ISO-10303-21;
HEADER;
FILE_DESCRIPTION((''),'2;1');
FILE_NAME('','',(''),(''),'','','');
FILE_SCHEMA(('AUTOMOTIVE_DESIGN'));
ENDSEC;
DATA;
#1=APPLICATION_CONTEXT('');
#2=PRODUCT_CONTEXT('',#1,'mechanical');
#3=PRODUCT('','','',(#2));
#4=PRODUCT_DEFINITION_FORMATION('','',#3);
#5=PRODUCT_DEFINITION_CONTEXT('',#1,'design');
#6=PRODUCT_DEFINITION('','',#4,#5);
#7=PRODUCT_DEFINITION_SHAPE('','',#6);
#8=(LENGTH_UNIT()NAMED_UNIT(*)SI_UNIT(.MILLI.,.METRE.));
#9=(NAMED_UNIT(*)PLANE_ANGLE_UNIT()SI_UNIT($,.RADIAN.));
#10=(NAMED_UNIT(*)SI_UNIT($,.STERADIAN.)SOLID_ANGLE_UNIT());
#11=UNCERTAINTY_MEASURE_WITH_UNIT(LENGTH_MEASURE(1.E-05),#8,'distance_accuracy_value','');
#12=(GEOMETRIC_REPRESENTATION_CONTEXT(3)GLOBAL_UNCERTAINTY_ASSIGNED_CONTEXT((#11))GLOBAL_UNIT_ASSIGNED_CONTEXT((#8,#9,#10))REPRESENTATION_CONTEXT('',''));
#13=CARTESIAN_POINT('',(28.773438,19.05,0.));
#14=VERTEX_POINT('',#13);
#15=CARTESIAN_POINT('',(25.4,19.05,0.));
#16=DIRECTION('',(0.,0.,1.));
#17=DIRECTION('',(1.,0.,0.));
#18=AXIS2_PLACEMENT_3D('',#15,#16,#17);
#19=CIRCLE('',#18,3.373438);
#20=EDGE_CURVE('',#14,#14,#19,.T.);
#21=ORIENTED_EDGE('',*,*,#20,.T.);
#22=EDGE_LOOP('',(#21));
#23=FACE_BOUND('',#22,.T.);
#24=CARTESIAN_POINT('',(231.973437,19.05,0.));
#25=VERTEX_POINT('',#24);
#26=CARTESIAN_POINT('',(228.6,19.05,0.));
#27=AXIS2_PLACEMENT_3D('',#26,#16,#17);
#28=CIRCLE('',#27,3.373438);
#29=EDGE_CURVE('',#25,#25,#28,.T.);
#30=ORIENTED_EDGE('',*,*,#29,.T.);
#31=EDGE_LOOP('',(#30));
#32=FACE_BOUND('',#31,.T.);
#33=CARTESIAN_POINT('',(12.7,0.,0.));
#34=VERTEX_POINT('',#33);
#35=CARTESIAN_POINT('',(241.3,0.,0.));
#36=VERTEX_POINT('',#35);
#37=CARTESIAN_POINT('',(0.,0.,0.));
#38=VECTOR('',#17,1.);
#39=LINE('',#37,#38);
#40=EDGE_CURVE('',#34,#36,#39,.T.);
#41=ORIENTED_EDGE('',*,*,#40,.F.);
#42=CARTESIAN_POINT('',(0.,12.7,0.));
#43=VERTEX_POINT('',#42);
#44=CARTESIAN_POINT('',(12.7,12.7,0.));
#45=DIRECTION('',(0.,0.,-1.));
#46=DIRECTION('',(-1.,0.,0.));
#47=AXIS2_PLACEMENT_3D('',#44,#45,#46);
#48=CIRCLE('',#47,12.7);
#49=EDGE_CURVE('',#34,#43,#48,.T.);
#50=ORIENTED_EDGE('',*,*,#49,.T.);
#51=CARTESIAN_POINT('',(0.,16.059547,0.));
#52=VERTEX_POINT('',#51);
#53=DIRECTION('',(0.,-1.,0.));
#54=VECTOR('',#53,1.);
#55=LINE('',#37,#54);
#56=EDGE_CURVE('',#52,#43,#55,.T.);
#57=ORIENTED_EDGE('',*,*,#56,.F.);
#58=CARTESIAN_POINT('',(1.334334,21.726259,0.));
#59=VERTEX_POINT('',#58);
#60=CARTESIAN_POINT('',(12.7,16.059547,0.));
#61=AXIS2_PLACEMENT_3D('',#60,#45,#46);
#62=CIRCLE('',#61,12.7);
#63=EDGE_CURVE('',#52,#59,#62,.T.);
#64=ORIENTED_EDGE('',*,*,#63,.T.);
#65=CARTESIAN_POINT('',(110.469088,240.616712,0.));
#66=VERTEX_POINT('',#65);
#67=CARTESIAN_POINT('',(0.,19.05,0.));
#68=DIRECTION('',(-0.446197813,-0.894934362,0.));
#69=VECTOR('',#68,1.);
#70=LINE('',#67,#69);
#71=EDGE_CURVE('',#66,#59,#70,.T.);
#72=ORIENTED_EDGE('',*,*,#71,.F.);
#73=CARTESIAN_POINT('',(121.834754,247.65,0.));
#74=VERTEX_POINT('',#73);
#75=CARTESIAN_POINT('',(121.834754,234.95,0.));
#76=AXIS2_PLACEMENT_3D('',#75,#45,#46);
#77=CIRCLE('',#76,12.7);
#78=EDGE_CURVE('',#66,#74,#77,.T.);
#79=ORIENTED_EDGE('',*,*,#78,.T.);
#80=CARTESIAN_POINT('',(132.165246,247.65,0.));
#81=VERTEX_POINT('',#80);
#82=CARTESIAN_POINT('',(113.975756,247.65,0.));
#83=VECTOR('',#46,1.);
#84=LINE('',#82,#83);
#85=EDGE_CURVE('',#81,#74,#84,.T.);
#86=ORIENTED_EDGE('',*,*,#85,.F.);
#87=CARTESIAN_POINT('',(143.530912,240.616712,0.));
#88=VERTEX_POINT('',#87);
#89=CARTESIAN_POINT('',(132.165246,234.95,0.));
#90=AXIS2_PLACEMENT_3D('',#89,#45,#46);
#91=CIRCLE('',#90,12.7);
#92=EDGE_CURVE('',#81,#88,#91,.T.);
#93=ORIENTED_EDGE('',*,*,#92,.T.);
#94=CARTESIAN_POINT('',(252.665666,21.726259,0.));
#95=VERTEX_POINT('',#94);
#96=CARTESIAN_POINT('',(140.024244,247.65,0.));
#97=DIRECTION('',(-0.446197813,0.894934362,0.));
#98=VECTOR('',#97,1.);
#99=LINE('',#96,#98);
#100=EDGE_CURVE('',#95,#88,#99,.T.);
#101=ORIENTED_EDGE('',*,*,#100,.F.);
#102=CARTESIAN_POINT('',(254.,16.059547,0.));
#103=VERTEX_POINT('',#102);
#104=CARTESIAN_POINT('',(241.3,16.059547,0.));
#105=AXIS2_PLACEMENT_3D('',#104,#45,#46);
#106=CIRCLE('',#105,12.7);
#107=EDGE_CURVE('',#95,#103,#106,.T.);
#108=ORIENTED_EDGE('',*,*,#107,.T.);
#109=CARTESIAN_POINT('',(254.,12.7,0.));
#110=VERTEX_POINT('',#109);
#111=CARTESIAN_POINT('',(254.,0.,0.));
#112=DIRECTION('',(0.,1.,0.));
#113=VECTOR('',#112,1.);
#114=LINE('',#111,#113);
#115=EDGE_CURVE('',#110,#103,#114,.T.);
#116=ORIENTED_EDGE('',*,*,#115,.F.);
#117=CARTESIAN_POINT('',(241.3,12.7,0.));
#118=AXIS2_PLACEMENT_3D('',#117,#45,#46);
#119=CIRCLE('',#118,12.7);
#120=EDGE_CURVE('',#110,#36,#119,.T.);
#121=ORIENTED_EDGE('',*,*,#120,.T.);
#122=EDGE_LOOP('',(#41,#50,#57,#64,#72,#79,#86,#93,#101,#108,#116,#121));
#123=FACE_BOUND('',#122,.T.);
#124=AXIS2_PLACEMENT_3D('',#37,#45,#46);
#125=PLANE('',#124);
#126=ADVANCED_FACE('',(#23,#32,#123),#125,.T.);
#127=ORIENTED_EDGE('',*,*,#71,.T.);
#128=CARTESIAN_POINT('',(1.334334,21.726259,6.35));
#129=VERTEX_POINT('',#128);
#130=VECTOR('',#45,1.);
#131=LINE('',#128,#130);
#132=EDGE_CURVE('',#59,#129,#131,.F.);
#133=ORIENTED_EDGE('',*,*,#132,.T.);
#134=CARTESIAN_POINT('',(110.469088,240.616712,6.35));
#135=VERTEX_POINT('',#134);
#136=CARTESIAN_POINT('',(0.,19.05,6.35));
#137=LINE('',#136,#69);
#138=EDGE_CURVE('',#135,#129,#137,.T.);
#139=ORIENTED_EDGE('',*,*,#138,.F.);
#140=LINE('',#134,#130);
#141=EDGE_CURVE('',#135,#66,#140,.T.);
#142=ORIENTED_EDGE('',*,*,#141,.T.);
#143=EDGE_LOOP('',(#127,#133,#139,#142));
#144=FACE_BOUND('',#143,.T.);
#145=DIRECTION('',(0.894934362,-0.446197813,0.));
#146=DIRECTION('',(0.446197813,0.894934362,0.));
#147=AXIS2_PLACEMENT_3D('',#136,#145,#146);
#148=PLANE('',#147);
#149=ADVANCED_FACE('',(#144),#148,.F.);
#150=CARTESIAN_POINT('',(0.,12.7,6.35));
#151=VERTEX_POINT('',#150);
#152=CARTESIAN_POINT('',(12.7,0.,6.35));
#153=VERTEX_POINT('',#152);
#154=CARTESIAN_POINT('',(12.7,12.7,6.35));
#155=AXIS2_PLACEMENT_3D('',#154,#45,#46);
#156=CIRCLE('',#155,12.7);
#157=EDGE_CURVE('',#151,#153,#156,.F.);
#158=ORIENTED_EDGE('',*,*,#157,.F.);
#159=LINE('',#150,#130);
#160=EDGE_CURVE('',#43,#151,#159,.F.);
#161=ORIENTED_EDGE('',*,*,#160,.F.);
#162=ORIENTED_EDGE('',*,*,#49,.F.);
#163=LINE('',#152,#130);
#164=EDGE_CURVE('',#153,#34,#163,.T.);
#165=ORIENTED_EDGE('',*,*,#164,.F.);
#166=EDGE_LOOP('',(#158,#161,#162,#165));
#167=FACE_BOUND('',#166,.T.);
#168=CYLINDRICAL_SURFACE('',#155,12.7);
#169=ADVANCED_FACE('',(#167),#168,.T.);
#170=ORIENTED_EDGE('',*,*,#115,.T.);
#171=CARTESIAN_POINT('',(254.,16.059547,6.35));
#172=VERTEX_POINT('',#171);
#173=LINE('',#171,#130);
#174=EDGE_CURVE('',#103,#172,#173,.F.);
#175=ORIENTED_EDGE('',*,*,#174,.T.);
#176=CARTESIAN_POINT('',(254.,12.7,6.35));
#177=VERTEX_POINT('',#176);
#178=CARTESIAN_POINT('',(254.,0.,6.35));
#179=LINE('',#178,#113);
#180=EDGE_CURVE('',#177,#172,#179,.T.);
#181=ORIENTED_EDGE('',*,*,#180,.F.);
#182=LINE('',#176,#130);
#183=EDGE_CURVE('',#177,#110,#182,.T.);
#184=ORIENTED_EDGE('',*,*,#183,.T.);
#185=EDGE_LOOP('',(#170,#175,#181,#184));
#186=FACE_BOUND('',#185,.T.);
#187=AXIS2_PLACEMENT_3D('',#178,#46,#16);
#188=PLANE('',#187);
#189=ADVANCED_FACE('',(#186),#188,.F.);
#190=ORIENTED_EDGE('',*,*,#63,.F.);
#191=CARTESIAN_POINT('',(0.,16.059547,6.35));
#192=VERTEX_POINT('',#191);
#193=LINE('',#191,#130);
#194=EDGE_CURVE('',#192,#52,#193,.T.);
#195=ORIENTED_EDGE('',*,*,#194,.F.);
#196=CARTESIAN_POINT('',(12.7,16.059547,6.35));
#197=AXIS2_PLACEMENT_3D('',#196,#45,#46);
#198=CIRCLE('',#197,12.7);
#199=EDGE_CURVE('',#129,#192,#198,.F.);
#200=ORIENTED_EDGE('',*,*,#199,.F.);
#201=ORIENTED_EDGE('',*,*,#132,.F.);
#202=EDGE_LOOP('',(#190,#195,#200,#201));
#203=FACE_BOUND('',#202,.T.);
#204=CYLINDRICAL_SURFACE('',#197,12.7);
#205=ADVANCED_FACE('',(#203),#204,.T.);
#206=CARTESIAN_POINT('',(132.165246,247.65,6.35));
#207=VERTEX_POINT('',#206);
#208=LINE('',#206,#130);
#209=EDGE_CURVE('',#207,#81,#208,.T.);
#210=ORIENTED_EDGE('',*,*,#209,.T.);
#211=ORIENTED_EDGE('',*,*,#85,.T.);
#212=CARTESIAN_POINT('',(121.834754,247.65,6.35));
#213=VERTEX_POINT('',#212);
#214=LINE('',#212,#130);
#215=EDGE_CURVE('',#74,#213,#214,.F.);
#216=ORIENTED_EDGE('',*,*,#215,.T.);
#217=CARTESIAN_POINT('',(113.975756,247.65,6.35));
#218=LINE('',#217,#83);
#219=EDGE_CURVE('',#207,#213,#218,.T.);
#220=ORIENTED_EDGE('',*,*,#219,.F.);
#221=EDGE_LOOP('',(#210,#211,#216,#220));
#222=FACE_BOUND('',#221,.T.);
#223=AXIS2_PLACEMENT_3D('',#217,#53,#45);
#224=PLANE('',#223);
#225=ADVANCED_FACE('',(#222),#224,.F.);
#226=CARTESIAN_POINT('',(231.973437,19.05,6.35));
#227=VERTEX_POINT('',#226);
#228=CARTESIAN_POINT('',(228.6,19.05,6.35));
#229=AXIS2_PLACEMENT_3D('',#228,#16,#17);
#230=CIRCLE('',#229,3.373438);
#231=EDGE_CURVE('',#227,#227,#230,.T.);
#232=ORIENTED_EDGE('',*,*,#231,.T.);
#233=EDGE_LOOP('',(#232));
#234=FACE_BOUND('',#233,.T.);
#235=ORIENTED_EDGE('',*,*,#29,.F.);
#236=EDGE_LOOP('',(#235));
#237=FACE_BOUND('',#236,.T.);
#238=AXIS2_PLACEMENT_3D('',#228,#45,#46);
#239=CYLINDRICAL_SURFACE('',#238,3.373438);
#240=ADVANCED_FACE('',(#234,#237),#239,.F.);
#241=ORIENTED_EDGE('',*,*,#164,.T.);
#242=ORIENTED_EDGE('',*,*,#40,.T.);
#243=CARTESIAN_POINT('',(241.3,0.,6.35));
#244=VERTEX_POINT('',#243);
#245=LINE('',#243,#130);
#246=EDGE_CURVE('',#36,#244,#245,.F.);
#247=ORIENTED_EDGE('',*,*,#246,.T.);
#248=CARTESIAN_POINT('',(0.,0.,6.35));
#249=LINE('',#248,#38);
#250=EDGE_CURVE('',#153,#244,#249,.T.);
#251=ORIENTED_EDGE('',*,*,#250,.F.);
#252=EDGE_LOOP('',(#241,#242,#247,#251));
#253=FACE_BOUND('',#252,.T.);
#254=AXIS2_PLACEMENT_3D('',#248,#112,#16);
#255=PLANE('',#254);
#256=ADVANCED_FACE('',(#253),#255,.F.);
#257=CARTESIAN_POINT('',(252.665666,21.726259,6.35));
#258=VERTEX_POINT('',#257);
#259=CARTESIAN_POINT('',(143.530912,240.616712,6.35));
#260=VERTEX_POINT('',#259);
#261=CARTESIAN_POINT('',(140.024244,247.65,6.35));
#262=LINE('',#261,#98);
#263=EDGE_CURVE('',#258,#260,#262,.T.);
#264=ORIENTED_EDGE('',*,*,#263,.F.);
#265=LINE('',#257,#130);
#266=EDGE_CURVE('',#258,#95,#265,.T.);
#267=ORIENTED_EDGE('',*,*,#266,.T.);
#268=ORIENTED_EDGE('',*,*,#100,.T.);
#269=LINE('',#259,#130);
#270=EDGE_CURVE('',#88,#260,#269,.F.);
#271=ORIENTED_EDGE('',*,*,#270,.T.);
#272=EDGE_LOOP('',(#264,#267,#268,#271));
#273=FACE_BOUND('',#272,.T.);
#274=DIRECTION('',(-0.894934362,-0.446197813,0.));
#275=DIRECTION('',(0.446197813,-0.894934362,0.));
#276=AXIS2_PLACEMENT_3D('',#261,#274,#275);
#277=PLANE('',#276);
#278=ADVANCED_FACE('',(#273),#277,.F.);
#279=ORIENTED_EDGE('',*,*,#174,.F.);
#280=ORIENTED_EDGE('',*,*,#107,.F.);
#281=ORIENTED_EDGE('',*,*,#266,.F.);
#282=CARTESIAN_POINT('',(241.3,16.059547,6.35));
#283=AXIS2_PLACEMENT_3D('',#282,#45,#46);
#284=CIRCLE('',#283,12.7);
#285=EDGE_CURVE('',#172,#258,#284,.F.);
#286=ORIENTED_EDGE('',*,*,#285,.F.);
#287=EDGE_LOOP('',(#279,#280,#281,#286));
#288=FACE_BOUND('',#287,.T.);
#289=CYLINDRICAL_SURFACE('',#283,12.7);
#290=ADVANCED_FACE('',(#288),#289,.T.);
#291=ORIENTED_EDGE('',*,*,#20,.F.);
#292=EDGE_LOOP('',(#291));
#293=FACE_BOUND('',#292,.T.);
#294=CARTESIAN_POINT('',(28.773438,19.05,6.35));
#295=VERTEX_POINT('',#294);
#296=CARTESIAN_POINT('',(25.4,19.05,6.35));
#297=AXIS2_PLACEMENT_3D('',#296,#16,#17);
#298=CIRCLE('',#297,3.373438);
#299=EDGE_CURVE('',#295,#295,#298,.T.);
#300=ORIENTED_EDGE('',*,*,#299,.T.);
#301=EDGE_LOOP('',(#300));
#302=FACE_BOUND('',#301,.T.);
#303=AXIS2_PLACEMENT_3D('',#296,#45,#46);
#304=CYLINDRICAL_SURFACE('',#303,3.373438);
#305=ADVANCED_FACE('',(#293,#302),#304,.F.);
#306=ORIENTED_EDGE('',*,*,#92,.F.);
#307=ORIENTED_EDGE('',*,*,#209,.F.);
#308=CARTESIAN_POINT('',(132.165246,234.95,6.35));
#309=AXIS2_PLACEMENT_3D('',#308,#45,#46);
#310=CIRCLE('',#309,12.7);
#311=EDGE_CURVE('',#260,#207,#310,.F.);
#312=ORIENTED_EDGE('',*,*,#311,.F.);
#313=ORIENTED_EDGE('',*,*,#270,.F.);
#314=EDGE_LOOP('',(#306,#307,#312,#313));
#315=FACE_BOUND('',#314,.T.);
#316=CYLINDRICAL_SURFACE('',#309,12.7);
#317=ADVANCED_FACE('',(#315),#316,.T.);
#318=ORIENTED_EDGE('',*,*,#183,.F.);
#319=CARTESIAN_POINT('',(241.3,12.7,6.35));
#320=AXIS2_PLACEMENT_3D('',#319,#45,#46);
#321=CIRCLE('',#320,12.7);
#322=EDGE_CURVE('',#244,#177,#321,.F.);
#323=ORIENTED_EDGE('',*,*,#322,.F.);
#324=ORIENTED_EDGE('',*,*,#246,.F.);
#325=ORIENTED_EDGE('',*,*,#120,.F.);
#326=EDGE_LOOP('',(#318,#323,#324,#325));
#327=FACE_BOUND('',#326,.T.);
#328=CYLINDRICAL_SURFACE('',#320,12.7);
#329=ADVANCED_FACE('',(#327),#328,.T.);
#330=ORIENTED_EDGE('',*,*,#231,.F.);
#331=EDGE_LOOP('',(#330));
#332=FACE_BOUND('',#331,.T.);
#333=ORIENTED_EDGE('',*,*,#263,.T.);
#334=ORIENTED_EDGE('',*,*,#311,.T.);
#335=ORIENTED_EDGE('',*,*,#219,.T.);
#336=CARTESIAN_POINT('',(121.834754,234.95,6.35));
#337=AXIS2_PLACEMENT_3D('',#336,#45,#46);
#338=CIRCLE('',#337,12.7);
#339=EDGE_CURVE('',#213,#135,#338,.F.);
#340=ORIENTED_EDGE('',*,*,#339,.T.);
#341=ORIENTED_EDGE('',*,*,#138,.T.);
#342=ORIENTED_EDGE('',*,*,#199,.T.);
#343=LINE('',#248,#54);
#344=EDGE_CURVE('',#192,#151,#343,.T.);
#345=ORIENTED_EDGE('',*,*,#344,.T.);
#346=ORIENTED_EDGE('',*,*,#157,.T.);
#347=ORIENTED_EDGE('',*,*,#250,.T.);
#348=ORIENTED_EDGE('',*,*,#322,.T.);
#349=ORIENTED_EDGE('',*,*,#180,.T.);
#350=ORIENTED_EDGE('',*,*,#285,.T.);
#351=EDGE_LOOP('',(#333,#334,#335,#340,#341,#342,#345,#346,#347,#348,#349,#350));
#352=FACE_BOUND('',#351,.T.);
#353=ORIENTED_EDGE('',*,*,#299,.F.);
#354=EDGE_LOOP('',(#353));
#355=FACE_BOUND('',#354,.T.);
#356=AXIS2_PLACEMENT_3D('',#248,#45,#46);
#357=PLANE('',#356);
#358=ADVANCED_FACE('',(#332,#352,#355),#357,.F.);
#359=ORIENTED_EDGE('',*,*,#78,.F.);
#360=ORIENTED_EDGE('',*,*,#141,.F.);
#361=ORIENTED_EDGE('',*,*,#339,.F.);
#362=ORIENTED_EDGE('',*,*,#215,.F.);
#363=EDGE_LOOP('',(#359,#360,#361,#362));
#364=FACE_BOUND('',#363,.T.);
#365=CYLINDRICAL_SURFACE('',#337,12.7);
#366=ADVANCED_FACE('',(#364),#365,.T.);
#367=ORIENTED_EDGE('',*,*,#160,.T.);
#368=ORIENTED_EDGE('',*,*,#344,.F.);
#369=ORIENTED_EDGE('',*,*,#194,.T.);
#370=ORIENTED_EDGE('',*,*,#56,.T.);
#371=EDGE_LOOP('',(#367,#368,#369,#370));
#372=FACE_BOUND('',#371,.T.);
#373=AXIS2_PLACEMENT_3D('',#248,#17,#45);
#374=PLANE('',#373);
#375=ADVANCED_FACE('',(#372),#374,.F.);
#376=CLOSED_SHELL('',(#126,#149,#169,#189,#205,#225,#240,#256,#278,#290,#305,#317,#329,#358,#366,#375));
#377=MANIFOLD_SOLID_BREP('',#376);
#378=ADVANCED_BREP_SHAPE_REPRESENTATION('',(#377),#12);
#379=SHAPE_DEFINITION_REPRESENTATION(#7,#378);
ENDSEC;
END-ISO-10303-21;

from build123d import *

# Parameters (mm, degrees)
SKETCH1_R           = 3.3734375
BOSS_EXTRUDE1_DEPTH = 6.35
FILLET2_R           = 12.7


with BuildPart() as part:
    # Sketch1 → Boss-Extrude1 (new body)
    with BuildSketch(Plane.XY):
        Polygon((0, 0), (254, 0), (254, 19.05), (140.024244399, 247.65), (113.975755601, 247.65), (0, 19.05), align=None)
        with Locations((25.4, 19.05)):
            Circle(SKETCH1_R, mode=Mode.SUBTRACT)
        with Locations((228.6, 19.05)):
            Circle(SKETCH1_R, mode=Mode.SUBTRACT)
    extrude(amount=BOSS_EXTRUDE1_DEPTH)

    # Fillet2
    fillet2_edges = [part.edges().sort_by_distance(p)[0] for p in [
        (0, 19.05, 3.175),
        (113.975755601, 247.65, 3.175),
        (140.024244399, 247.65, 3.175),
        (254, 19.05, 3.175),
        (254, 0, 3.175),
        (0, 0, 3.175),
    ]]
    fillet(fillet2_edges, radius=FILLET2_R)


solid = part.part
